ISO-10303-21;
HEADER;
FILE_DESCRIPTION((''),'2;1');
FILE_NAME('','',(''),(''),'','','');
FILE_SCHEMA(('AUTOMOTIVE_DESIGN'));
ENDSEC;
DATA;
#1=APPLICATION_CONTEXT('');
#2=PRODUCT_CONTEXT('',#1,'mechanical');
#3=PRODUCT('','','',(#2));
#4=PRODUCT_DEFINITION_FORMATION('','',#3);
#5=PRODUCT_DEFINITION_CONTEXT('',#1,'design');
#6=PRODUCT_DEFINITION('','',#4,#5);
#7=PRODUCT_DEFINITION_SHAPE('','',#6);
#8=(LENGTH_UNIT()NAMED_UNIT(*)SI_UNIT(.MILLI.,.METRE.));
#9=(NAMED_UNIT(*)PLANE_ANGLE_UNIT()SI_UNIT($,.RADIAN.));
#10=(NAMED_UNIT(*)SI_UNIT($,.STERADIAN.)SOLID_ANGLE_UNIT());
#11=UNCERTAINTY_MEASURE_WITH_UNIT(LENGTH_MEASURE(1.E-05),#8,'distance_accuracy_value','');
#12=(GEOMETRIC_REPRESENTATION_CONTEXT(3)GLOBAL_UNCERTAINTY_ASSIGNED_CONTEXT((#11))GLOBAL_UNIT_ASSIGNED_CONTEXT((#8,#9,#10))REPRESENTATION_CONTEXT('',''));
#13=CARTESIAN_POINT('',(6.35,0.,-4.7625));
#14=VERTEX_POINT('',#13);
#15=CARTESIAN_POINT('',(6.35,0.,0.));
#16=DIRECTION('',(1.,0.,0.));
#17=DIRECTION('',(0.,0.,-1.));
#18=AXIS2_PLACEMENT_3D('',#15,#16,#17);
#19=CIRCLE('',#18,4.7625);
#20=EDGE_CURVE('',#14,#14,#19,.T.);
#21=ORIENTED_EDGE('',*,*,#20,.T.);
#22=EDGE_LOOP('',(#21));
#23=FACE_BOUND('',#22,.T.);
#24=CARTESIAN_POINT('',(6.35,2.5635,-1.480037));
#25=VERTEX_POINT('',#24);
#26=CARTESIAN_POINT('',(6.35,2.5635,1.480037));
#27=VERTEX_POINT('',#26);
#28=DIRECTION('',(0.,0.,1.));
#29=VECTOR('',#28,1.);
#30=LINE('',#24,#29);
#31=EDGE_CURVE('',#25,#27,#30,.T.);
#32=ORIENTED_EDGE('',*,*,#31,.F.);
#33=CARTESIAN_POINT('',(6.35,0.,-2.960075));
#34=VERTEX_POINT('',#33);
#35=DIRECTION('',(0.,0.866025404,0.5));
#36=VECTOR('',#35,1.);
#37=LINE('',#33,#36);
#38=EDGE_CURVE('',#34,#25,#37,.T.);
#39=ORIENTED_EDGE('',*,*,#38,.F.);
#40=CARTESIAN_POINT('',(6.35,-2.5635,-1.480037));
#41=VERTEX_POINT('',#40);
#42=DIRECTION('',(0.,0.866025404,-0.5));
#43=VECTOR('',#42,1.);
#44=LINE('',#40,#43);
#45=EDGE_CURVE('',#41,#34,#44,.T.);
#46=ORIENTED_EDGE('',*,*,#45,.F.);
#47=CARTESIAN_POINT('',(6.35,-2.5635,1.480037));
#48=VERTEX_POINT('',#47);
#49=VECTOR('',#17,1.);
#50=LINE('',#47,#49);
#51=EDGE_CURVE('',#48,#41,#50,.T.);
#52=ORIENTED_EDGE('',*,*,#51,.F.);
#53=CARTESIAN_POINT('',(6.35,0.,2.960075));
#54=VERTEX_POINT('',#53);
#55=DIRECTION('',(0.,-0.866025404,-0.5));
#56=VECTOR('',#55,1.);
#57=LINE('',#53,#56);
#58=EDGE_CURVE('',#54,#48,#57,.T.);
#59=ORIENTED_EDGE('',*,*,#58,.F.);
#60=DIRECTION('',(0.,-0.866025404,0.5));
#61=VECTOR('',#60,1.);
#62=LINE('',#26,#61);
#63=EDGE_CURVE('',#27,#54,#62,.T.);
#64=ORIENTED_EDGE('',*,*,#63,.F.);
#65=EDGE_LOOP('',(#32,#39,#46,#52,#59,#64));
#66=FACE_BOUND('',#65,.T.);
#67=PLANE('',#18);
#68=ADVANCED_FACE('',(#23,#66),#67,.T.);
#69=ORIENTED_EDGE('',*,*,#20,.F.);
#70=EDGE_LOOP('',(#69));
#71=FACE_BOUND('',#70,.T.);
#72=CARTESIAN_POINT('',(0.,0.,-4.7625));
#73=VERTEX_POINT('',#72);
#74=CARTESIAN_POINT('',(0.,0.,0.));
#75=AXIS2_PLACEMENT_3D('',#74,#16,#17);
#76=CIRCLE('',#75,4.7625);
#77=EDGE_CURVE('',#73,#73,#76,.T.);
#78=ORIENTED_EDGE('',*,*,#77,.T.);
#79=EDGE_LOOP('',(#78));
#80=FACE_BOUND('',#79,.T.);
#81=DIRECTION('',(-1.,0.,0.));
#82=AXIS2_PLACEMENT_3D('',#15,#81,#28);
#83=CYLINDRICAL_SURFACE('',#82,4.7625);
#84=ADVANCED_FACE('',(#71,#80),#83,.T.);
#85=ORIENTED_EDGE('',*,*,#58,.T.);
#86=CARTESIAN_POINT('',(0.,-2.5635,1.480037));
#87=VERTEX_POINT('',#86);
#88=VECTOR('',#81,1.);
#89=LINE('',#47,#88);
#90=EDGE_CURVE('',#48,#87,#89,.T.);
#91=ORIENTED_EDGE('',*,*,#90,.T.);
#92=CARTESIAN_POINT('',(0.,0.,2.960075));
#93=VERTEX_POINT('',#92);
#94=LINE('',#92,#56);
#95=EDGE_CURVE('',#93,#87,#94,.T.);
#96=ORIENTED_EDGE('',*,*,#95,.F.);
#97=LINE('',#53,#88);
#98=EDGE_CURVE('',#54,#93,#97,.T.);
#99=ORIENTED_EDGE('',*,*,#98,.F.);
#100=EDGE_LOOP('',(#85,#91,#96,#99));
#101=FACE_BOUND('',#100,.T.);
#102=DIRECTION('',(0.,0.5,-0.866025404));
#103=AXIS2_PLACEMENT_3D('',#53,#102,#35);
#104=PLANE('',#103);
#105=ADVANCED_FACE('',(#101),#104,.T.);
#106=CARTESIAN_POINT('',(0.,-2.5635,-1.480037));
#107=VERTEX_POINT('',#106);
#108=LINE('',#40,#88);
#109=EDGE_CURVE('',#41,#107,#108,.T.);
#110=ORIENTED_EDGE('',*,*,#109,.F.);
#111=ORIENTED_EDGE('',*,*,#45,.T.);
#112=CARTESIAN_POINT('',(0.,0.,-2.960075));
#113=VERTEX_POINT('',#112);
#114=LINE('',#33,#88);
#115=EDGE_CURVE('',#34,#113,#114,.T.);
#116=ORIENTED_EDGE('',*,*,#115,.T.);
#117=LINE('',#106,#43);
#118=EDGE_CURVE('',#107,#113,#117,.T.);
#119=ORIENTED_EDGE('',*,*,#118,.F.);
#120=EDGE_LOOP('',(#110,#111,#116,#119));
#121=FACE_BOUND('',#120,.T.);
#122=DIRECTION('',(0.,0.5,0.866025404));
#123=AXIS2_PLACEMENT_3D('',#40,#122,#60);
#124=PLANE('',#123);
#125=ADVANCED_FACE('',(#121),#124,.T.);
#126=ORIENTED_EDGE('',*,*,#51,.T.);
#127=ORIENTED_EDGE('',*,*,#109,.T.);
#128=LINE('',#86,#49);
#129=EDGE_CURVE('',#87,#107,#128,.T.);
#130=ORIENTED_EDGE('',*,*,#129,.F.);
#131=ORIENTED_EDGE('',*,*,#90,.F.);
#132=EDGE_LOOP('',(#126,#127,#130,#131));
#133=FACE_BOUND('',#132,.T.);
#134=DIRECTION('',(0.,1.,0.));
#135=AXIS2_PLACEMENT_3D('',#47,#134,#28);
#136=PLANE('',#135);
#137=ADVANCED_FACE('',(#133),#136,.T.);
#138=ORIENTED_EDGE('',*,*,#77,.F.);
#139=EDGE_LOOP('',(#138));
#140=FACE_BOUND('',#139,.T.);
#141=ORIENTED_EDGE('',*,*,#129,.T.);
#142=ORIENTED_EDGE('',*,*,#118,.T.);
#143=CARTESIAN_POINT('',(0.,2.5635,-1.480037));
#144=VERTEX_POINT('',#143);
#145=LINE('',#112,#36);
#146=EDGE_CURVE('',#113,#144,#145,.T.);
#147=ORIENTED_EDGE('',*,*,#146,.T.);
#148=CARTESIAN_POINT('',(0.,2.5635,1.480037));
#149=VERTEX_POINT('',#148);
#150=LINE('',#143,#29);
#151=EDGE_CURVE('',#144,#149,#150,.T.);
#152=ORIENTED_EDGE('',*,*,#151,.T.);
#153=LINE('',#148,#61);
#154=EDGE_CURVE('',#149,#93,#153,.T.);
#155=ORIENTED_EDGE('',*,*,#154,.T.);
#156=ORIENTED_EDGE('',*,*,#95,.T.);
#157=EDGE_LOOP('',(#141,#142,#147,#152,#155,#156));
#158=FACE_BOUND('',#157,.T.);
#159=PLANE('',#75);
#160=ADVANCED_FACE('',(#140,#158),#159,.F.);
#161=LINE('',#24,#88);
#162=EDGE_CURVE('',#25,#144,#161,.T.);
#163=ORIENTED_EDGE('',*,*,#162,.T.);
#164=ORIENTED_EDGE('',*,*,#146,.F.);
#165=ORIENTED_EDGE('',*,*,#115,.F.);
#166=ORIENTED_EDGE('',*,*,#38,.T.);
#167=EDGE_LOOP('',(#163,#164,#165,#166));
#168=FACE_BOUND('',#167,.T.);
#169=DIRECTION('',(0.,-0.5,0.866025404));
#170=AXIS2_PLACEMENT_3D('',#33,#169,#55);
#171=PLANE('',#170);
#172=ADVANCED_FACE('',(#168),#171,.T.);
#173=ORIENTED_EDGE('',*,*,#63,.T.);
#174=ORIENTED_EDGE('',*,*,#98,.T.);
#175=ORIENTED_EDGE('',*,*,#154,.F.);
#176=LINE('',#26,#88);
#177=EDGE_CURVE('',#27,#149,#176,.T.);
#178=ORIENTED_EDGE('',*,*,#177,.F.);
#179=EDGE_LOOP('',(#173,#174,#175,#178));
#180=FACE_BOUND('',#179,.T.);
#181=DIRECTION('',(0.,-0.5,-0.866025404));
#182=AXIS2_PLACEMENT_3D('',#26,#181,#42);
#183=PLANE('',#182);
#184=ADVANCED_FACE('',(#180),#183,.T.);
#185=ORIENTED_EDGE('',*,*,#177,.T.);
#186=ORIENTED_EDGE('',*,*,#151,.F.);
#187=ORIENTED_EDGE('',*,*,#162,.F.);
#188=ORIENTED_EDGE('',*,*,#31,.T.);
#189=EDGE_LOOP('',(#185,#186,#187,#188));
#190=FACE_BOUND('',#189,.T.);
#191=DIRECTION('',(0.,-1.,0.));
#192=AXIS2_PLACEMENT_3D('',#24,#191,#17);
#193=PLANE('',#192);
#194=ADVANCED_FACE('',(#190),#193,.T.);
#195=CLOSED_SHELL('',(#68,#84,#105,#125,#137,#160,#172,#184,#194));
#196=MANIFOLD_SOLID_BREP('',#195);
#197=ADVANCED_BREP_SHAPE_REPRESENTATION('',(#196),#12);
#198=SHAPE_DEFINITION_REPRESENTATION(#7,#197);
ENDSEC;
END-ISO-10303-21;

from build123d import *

# Parameters (mm, degrees)
SKETCH1_R           = 4.7625
BOSS_EXTRUDE1_DEPTH = 6.35


with BuildPart() as part:
    # Sketch1 → Boss-Extrude1 (new body)
    with BuildSketch(Plane(origin=(0, 0, 0), x_dir=(0, 0, -1), z_dir=(1, 0, 0))):
        Circle(SKETCH1_R)
        Polygon((1.480037388, 2.563499953), (-1.480037388, 2.563499953), (-2.960074776, 0), (-1.480037388, -2.563499953), (1.480037388, -2.563499953), (2.960074776, 0), align=None, mode=Mode.SUBTRACT)
    extrude(amount=BOSS_EXTRUDE1_DEPTH)


solid = part.part
